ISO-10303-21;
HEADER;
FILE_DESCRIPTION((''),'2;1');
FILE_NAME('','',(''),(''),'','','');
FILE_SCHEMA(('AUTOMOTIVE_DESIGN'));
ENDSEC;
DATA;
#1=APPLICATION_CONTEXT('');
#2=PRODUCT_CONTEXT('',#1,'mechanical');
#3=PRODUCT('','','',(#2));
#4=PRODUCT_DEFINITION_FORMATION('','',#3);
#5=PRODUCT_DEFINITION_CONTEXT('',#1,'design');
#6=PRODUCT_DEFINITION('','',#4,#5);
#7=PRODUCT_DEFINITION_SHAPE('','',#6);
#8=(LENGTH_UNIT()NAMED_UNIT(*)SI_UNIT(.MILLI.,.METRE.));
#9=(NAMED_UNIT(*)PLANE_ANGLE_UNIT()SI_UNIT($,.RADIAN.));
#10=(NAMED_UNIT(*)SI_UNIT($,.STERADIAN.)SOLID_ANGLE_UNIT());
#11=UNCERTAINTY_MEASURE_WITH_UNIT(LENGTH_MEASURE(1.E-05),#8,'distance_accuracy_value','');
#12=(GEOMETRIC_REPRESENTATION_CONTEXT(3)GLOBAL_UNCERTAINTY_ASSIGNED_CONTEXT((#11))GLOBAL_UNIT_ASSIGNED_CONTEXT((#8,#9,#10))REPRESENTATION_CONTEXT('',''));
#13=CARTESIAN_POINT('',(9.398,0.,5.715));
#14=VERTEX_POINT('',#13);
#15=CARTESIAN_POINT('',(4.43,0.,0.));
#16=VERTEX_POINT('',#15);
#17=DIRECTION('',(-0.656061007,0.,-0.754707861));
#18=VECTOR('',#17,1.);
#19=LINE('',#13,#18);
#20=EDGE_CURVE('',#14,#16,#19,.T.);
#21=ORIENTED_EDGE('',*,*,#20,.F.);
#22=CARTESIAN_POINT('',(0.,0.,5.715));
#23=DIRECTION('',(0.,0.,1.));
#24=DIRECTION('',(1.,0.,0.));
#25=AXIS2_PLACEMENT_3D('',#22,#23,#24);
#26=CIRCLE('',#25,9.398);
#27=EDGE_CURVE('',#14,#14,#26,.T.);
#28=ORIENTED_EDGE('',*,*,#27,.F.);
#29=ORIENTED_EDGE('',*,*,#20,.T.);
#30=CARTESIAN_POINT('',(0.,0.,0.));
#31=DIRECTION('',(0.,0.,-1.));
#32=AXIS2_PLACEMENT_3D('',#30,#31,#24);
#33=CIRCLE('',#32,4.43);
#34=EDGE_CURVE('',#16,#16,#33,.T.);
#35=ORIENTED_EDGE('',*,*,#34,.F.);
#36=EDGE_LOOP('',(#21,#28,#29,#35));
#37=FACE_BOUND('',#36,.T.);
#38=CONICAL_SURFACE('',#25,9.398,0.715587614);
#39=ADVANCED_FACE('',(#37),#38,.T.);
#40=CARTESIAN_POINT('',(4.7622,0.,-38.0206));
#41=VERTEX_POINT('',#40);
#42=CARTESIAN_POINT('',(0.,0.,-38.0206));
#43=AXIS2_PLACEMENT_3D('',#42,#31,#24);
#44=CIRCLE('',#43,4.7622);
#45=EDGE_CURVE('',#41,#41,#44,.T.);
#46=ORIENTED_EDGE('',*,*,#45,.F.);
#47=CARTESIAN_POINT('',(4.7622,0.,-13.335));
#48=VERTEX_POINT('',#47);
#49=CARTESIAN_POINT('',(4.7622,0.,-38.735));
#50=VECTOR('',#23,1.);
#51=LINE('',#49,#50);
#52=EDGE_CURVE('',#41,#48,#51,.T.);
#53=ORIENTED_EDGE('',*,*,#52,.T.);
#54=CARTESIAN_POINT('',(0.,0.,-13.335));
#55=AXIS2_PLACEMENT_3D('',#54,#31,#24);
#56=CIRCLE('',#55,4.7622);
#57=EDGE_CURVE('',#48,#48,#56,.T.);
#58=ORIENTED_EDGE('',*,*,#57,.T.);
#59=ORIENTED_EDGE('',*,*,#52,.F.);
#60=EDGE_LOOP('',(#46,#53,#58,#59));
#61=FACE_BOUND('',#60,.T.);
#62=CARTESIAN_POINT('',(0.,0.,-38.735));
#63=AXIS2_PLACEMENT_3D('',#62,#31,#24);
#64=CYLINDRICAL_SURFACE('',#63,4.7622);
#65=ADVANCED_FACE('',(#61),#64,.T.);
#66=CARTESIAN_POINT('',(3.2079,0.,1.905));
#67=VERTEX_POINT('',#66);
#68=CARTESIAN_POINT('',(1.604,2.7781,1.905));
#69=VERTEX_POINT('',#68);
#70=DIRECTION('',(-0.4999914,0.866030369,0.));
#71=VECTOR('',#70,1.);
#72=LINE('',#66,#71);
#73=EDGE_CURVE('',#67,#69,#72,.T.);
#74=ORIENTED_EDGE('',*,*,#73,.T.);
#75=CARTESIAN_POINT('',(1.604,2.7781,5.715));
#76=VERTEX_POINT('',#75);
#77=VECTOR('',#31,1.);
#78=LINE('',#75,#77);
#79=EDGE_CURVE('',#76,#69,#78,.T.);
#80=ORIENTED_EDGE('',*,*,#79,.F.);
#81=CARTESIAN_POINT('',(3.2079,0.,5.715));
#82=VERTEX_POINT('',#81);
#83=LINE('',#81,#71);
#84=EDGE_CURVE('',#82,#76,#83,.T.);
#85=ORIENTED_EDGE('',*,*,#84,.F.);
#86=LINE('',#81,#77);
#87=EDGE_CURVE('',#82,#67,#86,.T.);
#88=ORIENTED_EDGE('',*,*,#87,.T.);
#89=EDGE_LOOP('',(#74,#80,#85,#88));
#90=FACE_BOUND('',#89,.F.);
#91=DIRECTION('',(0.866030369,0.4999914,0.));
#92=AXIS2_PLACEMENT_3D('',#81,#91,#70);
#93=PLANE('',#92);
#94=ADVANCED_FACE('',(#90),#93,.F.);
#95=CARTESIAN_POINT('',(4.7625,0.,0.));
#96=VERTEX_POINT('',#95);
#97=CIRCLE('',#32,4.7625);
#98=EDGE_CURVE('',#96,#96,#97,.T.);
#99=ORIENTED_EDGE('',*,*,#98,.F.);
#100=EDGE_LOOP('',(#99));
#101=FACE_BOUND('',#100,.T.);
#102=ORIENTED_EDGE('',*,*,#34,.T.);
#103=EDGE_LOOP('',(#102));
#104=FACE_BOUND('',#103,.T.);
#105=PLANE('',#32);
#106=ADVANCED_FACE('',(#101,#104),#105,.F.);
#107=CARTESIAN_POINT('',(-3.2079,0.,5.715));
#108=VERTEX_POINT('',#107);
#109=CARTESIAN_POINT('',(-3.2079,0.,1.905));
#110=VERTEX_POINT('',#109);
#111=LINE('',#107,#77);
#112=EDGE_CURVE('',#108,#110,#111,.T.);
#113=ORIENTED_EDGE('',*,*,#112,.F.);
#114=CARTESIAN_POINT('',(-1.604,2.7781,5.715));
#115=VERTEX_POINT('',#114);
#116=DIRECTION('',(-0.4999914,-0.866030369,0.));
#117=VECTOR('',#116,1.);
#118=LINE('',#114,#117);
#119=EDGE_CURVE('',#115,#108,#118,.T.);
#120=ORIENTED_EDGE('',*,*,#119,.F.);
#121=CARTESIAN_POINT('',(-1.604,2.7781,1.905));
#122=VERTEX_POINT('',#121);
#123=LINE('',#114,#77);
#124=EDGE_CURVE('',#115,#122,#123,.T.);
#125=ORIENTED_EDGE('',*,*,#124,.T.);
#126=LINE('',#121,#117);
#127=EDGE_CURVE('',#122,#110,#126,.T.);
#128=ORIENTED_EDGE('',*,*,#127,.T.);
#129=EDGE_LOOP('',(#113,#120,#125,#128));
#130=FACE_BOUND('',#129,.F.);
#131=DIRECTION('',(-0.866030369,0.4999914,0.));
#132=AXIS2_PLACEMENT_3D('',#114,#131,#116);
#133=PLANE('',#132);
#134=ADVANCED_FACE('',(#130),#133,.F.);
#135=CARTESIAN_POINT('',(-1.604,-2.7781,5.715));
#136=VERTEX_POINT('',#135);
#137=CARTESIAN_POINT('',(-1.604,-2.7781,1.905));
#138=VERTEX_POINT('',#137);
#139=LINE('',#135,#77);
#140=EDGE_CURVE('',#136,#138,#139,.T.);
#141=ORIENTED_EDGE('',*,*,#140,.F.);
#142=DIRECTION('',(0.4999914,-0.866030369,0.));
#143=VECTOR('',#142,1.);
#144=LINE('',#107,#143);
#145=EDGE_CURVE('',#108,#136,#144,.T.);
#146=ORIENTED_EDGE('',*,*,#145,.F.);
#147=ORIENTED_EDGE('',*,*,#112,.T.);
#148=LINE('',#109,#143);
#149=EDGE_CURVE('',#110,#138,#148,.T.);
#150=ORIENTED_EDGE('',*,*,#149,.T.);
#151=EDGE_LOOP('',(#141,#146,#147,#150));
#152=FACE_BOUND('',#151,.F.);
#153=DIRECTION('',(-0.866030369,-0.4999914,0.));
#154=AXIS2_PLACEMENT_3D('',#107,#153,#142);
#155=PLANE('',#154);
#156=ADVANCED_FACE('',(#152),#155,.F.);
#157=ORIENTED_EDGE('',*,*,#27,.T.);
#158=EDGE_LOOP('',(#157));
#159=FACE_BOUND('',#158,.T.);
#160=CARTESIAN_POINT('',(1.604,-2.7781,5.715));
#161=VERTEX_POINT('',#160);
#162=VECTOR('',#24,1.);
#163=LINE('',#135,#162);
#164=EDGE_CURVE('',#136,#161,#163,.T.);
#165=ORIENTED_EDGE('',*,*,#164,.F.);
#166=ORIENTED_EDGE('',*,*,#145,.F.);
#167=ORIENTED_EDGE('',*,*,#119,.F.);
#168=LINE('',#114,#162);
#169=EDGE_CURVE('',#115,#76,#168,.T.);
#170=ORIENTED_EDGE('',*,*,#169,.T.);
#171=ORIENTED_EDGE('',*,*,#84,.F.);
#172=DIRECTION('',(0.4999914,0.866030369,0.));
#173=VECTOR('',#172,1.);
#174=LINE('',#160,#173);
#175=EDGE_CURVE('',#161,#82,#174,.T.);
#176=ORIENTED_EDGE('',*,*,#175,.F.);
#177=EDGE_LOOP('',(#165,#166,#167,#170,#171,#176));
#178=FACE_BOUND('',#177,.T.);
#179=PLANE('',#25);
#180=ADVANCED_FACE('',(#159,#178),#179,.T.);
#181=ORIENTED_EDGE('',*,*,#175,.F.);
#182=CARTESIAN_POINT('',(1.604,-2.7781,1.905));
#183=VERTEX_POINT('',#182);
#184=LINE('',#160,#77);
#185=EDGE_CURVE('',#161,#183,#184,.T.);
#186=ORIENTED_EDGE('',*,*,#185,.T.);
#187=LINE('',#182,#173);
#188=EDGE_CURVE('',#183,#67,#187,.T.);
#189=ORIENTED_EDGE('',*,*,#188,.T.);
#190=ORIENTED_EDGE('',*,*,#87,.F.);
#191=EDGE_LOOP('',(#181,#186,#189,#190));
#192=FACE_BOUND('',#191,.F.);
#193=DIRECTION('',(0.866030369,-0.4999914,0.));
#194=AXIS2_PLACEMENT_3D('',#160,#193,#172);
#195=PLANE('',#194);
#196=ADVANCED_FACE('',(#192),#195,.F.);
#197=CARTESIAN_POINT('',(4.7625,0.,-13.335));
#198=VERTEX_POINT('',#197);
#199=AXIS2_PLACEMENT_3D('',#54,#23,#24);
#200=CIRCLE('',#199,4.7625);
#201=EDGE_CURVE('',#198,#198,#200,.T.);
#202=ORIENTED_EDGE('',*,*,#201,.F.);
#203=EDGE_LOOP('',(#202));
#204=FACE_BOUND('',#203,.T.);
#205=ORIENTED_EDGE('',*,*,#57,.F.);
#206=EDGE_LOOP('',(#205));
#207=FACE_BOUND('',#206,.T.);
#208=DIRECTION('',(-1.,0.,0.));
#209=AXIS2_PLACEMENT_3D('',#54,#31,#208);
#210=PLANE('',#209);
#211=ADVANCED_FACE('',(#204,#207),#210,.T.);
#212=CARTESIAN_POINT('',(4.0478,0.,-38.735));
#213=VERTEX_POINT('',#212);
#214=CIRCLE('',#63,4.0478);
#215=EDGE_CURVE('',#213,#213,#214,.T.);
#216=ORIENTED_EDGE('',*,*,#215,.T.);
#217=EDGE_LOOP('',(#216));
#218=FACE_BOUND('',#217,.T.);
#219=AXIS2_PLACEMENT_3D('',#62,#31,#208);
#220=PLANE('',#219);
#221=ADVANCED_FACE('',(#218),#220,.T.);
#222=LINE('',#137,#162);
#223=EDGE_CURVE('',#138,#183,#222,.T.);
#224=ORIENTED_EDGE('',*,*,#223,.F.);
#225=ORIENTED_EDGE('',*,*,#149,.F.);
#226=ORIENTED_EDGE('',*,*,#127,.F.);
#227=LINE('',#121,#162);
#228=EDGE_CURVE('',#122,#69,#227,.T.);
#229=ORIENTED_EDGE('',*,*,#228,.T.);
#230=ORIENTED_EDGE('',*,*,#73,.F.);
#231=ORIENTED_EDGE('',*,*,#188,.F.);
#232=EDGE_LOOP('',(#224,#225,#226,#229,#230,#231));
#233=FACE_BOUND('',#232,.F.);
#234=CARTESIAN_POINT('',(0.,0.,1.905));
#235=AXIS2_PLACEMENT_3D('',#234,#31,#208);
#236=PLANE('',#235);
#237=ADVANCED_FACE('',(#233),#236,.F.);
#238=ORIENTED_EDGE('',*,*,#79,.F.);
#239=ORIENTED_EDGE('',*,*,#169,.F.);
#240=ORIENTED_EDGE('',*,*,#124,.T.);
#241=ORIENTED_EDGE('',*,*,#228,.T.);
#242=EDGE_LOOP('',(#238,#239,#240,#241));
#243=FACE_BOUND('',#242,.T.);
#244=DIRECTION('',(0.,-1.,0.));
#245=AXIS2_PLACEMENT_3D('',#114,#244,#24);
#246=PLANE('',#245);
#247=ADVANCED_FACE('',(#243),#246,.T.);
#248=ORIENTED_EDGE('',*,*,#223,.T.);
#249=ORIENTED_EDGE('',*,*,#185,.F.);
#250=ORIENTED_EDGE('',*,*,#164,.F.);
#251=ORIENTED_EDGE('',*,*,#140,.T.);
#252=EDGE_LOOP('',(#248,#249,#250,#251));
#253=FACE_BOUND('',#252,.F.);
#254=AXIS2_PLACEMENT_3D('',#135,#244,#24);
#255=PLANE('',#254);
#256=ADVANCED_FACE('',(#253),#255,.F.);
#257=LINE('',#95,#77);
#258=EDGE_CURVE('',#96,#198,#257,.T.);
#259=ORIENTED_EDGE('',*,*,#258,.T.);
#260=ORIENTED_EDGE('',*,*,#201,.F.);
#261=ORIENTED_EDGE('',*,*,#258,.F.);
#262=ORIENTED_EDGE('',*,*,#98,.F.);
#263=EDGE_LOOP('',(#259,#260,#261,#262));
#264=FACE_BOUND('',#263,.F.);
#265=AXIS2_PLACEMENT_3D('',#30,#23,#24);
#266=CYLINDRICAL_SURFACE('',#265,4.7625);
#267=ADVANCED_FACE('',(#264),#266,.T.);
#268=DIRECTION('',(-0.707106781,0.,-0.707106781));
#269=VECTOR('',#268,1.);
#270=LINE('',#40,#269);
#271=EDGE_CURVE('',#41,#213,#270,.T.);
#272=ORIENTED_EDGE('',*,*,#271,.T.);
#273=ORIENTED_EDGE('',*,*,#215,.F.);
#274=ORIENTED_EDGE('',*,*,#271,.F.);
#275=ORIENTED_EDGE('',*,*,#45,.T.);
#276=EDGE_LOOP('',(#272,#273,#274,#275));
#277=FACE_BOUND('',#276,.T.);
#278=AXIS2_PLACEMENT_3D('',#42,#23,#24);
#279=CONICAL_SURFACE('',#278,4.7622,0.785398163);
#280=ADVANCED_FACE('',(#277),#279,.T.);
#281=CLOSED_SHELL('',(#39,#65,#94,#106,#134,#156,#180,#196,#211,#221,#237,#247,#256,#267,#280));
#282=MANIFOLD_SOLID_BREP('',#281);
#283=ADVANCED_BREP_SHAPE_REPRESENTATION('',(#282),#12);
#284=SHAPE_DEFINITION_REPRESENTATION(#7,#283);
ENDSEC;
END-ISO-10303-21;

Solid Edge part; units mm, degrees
sketch "Sketch1" plane through (0, 0, 0) normal (0, 0, 1) x (1, 0, 0)
  circle A0 centre (0, 0) radius 9.398
  dimension "D1" = 18.796
extrude "Protrusion1" add sketch "Sketch1" along normal blind 5.715
sketch "Sketch2" plane through (0, 0, 0) normal (0, 0, -1) x (1, 0, 0)
  circle A0 centre (0, 0) radius 4.7625
extrude "Protrusion2" add sketch "Sketch2" along normal blind 38.735
sketch "Sketch3" plane through (0, 0, -38.735) normal (0, 0, -1) x (1, 0, 0)
  circle A0 centre (0, 0) radius 4.7622
extrude "Cutout1" cut sketch "Sketch3" against normal blind 25.4 flip side to cut
chamfer "Chamfer_1" distance 0.7144 angle 45 1 edges at (-4.7622, 0, -38.735)
sketch "Sketch4" plane through (0, 0, 5.715) normal (0, 0, 1) x (1, 0, 0)
  line L0 (-1.604, 2.7781) -> (1.604, 2.7781)
  line L1 (3.2079, 0) -> (1.604, 2.7781)
  line L2 (1.604, -2.7781) -> (3.2079, 0)
  line L3 (-1.604, -2.7781) -> (1.604, -2.7781)
  line L4 (-3.2079, 0) -> (-1.604, -2.7781)
  line L5 (-1.604, 2.7781) -> (-3.2079, 0)
  dimension "D1" = 5.5562
extrude "Cutout2" cut sketch "Sketch4" against normal blind 3.81
sketch "Sketch5" plane through (0, 0, 0) normal (0, -1, 0) x (1, 0, 0)
  line L0 (9.398, 5.715) -> (4.43, 0)
  line L1 (4.43, 0) -> (9.398, 0)
  line L2 (9.398, 0) -> (9.398, 5.715)
revolve "RevolvedCutout1" cut sketch "Sketch5" angle 360 about axis through (0, 0, 14.0017) along (0, 0, -1)
properties part number "185726"
